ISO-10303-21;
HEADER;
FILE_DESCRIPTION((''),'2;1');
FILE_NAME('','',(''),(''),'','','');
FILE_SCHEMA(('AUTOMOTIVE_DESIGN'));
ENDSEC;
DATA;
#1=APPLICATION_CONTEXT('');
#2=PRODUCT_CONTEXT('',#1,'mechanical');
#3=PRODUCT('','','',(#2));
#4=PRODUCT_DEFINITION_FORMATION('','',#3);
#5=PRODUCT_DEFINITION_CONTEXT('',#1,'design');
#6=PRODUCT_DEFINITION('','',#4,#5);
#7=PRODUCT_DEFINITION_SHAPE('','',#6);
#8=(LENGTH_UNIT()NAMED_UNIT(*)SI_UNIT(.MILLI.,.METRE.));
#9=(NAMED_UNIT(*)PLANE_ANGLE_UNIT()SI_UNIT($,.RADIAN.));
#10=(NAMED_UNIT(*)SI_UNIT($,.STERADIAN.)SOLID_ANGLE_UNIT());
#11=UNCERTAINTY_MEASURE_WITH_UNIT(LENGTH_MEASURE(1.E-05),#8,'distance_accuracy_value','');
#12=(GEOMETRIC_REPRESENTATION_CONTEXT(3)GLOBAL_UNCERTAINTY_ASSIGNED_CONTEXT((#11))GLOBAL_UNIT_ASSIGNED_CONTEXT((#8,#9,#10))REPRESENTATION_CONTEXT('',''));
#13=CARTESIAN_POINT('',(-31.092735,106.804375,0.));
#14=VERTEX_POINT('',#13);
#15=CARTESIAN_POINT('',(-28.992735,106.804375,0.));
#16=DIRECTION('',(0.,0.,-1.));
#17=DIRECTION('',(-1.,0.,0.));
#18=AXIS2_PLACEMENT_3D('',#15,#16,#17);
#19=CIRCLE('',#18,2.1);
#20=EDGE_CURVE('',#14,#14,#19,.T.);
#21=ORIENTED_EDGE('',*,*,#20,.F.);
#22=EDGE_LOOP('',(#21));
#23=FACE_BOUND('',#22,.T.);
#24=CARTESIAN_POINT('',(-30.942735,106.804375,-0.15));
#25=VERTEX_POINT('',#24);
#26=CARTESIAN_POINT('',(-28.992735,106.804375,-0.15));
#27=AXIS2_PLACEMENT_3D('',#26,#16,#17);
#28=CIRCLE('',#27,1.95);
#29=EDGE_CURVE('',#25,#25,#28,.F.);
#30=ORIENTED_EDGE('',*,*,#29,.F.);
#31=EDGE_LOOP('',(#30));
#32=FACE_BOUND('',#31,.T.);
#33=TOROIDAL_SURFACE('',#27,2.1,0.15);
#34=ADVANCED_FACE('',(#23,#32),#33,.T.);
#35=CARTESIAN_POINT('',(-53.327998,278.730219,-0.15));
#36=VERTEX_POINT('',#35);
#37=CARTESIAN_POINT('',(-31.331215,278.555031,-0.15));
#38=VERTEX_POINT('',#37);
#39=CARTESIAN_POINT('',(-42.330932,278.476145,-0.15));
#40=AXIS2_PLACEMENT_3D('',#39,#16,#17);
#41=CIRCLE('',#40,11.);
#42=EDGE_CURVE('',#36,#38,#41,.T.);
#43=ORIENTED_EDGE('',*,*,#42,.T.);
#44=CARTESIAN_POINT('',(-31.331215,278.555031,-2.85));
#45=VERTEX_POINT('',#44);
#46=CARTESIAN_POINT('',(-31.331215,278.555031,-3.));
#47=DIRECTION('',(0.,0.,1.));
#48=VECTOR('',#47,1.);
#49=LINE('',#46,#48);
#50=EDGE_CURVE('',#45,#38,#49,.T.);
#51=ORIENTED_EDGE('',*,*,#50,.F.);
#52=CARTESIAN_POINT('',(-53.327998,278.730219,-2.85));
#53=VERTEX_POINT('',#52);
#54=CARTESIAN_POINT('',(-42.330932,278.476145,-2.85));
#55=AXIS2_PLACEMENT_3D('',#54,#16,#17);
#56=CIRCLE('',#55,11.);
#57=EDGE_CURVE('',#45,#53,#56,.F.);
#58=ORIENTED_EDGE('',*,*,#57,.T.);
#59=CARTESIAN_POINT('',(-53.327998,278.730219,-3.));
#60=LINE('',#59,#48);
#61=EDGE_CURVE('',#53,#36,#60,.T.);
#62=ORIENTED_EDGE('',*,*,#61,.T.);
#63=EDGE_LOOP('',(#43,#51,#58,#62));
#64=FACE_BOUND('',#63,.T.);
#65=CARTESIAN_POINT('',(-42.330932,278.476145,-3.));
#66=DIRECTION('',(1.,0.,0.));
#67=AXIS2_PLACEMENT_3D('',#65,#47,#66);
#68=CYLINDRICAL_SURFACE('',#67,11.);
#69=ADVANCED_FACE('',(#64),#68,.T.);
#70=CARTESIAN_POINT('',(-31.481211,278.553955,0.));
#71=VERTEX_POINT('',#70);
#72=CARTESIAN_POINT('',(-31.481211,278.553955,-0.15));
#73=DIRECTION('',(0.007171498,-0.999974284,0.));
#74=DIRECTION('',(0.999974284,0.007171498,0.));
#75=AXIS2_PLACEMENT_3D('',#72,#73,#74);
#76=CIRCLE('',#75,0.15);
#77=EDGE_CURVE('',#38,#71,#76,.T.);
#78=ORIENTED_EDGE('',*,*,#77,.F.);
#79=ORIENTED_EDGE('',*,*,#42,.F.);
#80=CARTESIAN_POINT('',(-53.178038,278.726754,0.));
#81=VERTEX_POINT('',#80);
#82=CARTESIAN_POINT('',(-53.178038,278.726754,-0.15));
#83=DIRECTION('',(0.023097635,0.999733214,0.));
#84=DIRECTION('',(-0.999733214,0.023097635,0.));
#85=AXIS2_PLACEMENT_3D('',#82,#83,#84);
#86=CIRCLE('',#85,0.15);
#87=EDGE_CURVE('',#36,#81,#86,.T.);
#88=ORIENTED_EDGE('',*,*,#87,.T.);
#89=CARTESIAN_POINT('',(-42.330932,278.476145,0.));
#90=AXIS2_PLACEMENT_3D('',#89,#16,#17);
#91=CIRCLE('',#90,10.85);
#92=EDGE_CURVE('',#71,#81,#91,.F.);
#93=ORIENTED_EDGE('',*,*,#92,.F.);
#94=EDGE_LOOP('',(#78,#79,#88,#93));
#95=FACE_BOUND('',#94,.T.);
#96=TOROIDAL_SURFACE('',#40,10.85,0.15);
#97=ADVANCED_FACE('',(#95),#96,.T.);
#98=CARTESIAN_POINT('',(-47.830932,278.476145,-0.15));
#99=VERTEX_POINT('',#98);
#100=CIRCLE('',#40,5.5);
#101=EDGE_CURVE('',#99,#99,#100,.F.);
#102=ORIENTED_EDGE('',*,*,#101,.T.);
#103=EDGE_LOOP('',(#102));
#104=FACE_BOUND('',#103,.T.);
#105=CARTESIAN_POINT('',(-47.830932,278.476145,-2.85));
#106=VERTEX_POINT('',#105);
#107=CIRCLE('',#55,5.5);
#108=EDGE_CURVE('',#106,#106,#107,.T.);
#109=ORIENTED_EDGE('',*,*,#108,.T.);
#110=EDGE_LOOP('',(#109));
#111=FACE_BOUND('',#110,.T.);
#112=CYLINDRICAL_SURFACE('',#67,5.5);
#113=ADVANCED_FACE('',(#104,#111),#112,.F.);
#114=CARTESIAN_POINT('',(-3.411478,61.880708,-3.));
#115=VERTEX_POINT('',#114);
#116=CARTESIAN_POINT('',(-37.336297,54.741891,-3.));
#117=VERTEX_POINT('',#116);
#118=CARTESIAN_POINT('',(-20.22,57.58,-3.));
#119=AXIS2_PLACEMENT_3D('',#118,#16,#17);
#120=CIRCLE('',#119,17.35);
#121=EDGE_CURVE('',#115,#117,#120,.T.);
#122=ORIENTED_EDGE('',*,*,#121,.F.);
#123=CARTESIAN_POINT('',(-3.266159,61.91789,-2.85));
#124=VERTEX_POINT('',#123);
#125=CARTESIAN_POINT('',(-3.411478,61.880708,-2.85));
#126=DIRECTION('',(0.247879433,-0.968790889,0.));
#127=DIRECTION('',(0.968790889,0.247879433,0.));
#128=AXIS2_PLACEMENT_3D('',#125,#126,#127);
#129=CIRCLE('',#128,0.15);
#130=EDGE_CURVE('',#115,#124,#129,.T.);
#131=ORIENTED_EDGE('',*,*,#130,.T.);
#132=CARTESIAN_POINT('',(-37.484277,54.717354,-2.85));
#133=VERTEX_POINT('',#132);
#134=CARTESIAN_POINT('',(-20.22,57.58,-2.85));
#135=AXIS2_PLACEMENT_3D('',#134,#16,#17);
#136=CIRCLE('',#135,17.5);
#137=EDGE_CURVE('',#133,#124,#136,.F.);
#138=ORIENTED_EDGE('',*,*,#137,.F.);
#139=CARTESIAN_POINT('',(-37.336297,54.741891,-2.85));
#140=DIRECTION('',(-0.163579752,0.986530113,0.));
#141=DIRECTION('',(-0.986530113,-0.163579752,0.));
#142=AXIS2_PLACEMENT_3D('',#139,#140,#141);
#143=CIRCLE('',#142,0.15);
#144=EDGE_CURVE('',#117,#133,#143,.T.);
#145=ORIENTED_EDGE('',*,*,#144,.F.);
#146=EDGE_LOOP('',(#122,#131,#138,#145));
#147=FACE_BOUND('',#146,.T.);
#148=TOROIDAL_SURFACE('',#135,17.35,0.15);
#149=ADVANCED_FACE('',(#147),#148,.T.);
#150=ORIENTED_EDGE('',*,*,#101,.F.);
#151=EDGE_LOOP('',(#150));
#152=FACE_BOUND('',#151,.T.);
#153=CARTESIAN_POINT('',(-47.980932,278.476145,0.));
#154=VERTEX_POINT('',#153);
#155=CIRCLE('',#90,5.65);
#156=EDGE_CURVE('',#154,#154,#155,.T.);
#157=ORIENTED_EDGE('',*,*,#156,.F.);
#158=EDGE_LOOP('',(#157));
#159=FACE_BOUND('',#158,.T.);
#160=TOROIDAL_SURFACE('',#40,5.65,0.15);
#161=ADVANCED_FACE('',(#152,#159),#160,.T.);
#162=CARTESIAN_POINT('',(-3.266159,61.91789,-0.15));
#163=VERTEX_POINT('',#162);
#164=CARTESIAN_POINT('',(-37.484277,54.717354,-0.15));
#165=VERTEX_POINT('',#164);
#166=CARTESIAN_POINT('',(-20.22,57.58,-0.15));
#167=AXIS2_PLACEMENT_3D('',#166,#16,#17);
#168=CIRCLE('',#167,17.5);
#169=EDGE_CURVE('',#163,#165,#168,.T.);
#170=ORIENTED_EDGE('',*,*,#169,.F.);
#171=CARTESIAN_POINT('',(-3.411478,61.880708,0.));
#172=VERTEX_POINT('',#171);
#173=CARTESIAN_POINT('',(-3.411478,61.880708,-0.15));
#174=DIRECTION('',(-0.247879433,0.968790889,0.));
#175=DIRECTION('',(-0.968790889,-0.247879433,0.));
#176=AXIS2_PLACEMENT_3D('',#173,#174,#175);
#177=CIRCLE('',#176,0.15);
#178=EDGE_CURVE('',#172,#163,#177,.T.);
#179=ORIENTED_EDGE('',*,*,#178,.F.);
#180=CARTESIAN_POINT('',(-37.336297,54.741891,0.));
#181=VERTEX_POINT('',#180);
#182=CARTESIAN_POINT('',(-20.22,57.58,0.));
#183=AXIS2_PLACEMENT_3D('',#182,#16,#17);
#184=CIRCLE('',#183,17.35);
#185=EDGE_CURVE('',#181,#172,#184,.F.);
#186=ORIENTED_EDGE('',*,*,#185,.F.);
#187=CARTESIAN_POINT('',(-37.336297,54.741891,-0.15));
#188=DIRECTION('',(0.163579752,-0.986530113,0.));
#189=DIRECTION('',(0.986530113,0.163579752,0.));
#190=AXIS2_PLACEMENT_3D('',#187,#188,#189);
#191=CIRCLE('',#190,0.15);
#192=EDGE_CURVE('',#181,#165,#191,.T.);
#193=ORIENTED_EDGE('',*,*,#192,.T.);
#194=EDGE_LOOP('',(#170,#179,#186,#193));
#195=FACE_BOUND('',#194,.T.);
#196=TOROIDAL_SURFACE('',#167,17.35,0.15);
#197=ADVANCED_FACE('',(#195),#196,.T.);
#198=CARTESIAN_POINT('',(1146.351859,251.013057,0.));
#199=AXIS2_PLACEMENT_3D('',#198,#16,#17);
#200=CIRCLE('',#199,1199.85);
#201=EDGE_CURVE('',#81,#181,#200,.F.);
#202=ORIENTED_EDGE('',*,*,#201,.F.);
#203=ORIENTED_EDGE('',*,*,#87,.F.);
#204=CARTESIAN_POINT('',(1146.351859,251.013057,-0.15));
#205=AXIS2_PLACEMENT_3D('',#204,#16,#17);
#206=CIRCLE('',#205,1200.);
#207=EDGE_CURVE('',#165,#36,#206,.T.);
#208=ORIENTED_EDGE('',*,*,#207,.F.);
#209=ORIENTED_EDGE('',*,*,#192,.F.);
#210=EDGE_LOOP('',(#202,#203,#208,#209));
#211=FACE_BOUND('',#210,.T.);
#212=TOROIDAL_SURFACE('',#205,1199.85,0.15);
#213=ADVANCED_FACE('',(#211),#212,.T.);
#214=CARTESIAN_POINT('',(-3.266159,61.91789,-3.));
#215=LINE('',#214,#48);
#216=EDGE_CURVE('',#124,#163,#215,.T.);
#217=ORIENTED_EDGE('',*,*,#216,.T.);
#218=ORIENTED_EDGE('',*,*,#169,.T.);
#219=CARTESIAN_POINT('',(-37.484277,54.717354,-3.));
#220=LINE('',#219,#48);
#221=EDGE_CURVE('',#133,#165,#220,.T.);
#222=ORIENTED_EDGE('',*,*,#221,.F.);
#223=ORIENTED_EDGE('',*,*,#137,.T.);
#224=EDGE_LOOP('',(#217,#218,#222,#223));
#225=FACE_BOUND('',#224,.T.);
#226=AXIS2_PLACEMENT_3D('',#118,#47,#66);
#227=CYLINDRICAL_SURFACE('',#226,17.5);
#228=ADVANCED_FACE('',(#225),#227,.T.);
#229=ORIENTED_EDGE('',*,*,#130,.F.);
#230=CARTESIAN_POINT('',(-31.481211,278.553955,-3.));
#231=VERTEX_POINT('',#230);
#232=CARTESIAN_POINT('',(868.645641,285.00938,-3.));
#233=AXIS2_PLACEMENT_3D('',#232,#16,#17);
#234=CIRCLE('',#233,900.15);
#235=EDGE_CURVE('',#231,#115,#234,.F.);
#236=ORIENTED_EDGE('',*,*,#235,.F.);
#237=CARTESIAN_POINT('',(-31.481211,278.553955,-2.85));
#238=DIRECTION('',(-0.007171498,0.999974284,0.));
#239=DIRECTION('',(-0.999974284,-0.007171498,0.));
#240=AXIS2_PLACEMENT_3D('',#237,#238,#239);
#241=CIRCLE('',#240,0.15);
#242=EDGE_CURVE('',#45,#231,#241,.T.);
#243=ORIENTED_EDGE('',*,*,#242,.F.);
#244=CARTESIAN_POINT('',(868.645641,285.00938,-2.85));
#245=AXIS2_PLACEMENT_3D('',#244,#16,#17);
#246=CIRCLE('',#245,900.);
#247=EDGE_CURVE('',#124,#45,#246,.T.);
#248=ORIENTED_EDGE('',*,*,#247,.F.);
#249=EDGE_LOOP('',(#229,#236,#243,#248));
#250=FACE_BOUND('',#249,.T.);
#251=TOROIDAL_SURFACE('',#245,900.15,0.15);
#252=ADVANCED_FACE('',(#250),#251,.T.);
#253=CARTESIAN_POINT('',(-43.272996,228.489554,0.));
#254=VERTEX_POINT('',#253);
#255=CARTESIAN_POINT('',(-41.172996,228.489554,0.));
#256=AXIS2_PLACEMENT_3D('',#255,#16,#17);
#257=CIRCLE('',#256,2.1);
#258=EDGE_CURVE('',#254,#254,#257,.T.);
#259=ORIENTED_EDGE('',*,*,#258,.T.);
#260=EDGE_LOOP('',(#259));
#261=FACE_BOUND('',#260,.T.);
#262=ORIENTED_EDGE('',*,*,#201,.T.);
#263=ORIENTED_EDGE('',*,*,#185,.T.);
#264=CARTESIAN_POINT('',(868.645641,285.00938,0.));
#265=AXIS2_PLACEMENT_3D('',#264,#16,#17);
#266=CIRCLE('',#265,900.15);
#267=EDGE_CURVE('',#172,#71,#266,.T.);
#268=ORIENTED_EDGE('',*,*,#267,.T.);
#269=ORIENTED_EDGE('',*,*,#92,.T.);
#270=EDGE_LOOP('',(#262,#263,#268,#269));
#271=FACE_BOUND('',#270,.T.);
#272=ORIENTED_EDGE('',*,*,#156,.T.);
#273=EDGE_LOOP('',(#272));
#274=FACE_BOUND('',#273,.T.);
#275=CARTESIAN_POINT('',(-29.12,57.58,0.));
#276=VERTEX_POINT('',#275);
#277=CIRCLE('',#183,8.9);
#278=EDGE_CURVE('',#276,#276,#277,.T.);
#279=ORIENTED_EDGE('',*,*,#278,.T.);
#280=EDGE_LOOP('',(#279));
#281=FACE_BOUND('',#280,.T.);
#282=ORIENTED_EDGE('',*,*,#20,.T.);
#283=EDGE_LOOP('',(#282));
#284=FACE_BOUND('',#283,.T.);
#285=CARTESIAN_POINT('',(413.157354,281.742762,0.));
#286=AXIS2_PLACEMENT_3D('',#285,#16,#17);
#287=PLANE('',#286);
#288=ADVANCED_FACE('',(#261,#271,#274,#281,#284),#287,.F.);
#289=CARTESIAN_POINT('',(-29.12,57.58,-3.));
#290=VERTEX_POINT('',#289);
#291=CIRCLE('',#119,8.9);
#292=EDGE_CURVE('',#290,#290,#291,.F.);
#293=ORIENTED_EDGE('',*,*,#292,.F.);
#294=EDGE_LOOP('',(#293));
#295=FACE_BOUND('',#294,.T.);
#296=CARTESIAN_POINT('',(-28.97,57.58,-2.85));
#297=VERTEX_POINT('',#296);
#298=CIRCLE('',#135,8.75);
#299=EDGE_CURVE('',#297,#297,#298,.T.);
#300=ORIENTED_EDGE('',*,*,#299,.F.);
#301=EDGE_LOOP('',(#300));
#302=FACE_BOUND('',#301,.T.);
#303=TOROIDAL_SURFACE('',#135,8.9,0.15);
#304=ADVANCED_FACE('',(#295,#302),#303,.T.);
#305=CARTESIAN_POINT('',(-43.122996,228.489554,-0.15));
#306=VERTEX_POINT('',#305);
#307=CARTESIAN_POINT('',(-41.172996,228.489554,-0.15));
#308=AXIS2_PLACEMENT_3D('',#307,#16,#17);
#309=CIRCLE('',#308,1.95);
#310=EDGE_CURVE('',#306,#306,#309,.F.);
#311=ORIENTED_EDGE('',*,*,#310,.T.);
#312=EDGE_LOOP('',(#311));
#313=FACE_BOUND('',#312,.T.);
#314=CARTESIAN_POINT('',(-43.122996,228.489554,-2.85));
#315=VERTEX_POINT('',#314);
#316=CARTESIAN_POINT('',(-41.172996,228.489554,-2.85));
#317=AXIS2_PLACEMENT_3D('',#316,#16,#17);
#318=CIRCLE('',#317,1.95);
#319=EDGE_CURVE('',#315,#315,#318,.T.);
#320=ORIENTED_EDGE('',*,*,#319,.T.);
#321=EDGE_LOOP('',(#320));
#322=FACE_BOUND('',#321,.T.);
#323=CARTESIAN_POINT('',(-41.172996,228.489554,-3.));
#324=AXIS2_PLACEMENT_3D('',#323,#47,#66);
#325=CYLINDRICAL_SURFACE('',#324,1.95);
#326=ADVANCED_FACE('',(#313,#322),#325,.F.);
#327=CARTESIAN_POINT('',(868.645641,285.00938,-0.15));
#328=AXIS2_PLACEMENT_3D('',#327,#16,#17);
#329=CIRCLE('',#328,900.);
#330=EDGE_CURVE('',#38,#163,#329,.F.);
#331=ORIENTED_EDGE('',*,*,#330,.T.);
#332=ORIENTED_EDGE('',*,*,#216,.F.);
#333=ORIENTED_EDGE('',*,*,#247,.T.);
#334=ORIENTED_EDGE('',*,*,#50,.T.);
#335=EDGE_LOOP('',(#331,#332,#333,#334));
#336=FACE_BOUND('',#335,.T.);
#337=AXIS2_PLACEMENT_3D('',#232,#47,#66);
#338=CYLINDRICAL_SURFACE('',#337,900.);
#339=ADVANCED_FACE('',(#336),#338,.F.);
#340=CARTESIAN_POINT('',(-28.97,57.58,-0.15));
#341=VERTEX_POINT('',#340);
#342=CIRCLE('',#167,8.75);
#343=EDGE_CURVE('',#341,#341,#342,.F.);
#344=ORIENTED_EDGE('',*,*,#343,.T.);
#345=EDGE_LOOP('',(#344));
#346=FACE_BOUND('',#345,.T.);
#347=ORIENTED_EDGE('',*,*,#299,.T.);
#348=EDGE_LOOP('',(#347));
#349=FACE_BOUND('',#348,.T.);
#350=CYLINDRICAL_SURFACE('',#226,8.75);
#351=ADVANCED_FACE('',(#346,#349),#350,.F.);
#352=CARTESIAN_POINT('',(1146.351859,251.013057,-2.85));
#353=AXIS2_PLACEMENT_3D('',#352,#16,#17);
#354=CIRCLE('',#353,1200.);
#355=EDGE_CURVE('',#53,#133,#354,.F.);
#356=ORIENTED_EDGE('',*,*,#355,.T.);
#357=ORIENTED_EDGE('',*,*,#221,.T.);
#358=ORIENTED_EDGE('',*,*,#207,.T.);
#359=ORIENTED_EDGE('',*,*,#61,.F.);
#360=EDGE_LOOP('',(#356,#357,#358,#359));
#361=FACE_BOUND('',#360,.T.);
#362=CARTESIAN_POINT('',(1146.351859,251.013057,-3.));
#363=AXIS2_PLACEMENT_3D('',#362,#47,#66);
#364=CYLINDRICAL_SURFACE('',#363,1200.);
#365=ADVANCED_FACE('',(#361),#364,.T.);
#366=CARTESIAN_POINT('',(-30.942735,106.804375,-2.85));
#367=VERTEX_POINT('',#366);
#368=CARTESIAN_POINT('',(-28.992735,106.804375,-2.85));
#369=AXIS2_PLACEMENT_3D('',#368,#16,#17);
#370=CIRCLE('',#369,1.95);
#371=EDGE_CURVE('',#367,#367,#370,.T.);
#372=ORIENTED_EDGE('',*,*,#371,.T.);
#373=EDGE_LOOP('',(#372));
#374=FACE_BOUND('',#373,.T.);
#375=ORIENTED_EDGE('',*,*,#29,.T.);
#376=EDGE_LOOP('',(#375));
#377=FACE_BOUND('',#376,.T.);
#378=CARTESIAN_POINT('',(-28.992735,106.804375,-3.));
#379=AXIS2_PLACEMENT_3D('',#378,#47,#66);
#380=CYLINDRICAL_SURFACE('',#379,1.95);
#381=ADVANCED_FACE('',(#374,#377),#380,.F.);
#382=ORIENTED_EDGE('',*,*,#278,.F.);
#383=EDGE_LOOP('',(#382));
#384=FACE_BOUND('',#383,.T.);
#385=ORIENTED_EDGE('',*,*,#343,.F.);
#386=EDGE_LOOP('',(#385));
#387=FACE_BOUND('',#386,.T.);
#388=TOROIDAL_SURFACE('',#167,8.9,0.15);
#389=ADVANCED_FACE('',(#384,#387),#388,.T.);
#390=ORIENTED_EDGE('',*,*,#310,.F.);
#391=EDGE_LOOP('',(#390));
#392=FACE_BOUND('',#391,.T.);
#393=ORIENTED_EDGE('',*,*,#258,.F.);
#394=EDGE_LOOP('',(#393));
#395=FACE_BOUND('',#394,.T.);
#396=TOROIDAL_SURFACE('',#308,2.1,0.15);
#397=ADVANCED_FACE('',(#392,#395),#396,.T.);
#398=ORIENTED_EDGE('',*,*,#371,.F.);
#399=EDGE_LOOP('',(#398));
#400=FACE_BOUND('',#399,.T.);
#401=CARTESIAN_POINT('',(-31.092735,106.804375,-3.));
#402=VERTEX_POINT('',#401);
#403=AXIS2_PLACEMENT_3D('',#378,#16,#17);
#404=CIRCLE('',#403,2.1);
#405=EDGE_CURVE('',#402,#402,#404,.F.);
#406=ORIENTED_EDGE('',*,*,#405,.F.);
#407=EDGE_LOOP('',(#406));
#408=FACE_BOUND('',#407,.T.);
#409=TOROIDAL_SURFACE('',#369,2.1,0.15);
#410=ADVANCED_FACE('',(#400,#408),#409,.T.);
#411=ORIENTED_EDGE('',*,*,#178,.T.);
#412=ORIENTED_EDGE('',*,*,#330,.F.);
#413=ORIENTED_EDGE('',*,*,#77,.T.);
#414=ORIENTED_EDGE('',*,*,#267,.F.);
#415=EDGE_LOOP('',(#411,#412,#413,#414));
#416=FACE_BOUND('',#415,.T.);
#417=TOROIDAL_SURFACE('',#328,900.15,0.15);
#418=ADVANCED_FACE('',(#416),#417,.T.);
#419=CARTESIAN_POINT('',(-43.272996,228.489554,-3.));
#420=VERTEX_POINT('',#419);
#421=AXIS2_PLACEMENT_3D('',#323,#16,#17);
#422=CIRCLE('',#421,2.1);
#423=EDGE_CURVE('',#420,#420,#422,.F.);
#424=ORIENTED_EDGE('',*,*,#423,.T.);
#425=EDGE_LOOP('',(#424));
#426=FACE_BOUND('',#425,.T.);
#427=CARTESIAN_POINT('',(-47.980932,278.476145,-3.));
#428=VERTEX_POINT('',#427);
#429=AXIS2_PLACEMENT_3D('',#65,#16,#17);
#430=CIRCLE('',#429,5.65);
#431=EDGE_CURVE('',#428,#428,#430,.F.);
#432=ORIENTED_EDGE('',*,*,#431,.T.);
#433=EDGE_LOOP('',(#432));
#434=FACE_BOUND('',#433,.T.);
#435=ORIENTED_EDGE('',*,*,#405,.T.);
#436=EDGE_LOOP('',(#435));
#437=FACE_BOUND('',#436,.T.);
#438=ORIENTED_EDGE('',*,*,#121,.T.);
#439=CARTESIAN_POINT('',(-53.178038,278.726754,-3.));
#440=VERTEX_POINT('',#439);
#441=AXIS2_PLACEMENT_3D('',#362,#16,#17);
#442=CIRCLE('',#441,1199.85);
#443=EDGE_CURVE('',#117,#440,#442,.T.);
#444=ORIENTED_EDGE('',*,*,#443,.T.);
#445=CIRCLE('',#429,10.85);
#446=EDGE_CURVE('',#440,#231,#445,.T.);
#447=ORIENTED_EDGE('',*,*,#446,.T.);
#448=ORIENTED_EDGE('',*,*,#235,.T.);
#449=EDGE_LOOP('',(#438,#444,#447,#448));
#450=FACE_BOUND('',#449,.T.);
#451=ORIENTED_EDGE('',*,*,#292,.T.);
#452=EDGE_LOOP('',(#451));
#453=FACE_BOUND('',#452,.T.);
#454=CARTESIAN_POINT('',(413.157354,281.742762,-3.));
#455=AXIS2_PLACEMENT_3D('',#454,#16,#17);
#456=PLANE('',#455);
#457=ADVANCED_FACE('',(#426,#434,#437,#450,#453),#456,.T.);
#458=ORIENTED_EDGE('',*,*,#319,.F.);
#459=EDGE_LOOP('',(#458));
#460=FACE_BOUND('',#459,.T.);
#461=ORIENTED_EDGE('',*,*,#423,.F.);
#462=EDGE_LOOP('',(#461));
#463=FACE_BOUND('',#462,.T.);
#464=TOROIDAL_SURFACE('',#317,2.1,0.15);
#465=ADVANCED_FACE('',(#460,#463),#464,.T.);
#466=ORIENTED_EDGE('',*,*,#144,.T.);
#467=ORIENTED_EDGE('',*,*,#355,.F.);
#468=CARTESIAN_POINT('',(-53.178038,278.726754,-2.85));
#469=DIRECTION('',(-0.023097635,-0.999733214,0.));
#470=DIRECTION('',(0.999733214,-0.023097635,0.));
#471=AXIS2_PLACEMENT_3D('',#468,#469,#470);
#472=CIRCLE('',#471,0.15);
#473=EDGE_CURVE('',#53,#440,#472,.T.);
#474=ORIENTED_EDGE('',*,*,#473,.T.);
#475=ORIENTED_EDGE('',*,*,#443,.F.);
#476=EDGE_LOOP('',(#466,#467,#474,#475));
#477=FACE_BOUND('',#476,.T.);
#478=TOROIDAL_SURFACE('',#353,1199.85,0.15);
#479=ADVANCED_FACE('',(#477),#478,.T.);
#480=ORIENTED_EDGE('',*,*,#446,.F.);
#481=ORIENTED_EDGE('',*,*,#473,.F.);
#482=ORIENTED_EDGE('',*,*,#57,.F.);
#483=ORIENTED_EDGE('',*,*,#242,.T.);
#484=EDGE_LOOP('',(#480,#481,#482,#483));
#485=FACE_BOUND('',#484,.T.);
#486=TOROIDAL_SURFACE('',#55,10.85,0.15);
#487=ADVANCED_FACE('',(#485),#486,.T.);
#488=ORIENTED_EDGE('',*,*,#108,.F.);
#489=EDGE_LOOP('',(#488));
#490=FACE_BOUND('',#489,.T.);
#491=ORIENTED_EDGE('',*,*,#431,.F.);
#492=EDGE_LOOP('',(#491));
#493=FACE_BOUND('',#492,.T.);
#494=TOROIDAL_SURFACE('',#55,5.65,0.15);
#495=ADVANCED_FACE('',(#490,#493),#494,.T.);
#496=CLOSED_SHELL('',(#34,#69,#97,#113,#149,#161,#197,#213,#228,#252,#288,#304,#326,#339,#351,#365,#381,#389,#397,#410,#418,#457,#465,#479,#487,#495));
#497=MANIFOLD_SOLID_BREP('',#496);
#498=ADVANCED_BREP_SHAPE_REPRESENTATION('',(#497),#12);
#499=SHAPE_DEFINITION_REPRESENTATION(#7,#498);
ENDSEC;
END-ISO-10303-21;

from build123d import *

# Parameters (mm, degrees)
SKETCH1_R           = 8.75
SKETCH1_R_2         = 5.5
SKETCH1_R_3         = 1.95
BOSS_EXTRUDE1_DEPTH = 3
FILLET1_R           = 0.15


with BuildPart() as part:
    # Sketch1 → Boss-Extrude1 (new body)
    with BuildSketch(Plane.XY):
        with BuildLine():
            ThreePointArc((-31.33121526, 278.555031013), (-23.895823386, 169.381810272), (-3.26615944, 61.917890072))
            ThreePointArc((-3.26615944, 61.917890072), (-16.616387727, 40.455048071), (-37.484276985, 54.717354337))
            ThreePointArc((-37.484276985, 54.717354337), (-50.657983368, 166.352339982), (-53.327997744, 278.730218512))
            ThreePointArc((-53.327997744, 278.730218512), (-42.243328606, 289.475795689), (-31.33121526, 278.555031013))
        make_face()
        with Locations((-20.22, 57.58)):
            Circle(SKETCH1_R, mode=Mode.SUBTRACT)
        with Locations((-42.33093239, 278.476144531)):
            Circle(SKETCH1_R_2, mode=Mode.SUBTRACT)
        with Locations((-41.172996234, 228.489554491)):
            Circle(SKETCH1_R_3, mode=Mode.SUBTRACT)
        with Locations((-28.99273489, 106.804375289)):
            Circle(SKETCH1_R_3, mode=Mode.SUBTRACT)
    extrude(amount=-BOSS_EXTRUDE1_DEPTH)

    # Fillet1
    fillet1_edges = [part.edges().sort_by_distance(p)[0] for p in [
        (-28.97, 57.58, -3),
        (-28.97, 57.58, 0),
        (-16.616387727, 40.455048071, -3),
        (-47.83093239, 278.476144531, -3),
        (-47.83093239, 278.476144531, 0),
        (-23.895823386, 169.381810272, -3),
        (-30.94273489, 106.804375289, -3),
        (-30.94273489, 106.804375289, 0),
        (-43.122996234, 228.489554491, -3),
        (-43.122996234, 228.489554491, 0),
        (-42.243328606, 289.475795689, -3),
        (-23.895823386, 169.381810272, 0),
        (-16.616387727, 40.455048071, 0),
        (-50.657983368, 166.352339982, 0),
        (-42.243328606, 289.475795689, 0),
        (-50.657983368, 166.352339982, -3),
    ]]
    fillet(fillet1_edges, radius=FILLET1_R)


solid = part.part
